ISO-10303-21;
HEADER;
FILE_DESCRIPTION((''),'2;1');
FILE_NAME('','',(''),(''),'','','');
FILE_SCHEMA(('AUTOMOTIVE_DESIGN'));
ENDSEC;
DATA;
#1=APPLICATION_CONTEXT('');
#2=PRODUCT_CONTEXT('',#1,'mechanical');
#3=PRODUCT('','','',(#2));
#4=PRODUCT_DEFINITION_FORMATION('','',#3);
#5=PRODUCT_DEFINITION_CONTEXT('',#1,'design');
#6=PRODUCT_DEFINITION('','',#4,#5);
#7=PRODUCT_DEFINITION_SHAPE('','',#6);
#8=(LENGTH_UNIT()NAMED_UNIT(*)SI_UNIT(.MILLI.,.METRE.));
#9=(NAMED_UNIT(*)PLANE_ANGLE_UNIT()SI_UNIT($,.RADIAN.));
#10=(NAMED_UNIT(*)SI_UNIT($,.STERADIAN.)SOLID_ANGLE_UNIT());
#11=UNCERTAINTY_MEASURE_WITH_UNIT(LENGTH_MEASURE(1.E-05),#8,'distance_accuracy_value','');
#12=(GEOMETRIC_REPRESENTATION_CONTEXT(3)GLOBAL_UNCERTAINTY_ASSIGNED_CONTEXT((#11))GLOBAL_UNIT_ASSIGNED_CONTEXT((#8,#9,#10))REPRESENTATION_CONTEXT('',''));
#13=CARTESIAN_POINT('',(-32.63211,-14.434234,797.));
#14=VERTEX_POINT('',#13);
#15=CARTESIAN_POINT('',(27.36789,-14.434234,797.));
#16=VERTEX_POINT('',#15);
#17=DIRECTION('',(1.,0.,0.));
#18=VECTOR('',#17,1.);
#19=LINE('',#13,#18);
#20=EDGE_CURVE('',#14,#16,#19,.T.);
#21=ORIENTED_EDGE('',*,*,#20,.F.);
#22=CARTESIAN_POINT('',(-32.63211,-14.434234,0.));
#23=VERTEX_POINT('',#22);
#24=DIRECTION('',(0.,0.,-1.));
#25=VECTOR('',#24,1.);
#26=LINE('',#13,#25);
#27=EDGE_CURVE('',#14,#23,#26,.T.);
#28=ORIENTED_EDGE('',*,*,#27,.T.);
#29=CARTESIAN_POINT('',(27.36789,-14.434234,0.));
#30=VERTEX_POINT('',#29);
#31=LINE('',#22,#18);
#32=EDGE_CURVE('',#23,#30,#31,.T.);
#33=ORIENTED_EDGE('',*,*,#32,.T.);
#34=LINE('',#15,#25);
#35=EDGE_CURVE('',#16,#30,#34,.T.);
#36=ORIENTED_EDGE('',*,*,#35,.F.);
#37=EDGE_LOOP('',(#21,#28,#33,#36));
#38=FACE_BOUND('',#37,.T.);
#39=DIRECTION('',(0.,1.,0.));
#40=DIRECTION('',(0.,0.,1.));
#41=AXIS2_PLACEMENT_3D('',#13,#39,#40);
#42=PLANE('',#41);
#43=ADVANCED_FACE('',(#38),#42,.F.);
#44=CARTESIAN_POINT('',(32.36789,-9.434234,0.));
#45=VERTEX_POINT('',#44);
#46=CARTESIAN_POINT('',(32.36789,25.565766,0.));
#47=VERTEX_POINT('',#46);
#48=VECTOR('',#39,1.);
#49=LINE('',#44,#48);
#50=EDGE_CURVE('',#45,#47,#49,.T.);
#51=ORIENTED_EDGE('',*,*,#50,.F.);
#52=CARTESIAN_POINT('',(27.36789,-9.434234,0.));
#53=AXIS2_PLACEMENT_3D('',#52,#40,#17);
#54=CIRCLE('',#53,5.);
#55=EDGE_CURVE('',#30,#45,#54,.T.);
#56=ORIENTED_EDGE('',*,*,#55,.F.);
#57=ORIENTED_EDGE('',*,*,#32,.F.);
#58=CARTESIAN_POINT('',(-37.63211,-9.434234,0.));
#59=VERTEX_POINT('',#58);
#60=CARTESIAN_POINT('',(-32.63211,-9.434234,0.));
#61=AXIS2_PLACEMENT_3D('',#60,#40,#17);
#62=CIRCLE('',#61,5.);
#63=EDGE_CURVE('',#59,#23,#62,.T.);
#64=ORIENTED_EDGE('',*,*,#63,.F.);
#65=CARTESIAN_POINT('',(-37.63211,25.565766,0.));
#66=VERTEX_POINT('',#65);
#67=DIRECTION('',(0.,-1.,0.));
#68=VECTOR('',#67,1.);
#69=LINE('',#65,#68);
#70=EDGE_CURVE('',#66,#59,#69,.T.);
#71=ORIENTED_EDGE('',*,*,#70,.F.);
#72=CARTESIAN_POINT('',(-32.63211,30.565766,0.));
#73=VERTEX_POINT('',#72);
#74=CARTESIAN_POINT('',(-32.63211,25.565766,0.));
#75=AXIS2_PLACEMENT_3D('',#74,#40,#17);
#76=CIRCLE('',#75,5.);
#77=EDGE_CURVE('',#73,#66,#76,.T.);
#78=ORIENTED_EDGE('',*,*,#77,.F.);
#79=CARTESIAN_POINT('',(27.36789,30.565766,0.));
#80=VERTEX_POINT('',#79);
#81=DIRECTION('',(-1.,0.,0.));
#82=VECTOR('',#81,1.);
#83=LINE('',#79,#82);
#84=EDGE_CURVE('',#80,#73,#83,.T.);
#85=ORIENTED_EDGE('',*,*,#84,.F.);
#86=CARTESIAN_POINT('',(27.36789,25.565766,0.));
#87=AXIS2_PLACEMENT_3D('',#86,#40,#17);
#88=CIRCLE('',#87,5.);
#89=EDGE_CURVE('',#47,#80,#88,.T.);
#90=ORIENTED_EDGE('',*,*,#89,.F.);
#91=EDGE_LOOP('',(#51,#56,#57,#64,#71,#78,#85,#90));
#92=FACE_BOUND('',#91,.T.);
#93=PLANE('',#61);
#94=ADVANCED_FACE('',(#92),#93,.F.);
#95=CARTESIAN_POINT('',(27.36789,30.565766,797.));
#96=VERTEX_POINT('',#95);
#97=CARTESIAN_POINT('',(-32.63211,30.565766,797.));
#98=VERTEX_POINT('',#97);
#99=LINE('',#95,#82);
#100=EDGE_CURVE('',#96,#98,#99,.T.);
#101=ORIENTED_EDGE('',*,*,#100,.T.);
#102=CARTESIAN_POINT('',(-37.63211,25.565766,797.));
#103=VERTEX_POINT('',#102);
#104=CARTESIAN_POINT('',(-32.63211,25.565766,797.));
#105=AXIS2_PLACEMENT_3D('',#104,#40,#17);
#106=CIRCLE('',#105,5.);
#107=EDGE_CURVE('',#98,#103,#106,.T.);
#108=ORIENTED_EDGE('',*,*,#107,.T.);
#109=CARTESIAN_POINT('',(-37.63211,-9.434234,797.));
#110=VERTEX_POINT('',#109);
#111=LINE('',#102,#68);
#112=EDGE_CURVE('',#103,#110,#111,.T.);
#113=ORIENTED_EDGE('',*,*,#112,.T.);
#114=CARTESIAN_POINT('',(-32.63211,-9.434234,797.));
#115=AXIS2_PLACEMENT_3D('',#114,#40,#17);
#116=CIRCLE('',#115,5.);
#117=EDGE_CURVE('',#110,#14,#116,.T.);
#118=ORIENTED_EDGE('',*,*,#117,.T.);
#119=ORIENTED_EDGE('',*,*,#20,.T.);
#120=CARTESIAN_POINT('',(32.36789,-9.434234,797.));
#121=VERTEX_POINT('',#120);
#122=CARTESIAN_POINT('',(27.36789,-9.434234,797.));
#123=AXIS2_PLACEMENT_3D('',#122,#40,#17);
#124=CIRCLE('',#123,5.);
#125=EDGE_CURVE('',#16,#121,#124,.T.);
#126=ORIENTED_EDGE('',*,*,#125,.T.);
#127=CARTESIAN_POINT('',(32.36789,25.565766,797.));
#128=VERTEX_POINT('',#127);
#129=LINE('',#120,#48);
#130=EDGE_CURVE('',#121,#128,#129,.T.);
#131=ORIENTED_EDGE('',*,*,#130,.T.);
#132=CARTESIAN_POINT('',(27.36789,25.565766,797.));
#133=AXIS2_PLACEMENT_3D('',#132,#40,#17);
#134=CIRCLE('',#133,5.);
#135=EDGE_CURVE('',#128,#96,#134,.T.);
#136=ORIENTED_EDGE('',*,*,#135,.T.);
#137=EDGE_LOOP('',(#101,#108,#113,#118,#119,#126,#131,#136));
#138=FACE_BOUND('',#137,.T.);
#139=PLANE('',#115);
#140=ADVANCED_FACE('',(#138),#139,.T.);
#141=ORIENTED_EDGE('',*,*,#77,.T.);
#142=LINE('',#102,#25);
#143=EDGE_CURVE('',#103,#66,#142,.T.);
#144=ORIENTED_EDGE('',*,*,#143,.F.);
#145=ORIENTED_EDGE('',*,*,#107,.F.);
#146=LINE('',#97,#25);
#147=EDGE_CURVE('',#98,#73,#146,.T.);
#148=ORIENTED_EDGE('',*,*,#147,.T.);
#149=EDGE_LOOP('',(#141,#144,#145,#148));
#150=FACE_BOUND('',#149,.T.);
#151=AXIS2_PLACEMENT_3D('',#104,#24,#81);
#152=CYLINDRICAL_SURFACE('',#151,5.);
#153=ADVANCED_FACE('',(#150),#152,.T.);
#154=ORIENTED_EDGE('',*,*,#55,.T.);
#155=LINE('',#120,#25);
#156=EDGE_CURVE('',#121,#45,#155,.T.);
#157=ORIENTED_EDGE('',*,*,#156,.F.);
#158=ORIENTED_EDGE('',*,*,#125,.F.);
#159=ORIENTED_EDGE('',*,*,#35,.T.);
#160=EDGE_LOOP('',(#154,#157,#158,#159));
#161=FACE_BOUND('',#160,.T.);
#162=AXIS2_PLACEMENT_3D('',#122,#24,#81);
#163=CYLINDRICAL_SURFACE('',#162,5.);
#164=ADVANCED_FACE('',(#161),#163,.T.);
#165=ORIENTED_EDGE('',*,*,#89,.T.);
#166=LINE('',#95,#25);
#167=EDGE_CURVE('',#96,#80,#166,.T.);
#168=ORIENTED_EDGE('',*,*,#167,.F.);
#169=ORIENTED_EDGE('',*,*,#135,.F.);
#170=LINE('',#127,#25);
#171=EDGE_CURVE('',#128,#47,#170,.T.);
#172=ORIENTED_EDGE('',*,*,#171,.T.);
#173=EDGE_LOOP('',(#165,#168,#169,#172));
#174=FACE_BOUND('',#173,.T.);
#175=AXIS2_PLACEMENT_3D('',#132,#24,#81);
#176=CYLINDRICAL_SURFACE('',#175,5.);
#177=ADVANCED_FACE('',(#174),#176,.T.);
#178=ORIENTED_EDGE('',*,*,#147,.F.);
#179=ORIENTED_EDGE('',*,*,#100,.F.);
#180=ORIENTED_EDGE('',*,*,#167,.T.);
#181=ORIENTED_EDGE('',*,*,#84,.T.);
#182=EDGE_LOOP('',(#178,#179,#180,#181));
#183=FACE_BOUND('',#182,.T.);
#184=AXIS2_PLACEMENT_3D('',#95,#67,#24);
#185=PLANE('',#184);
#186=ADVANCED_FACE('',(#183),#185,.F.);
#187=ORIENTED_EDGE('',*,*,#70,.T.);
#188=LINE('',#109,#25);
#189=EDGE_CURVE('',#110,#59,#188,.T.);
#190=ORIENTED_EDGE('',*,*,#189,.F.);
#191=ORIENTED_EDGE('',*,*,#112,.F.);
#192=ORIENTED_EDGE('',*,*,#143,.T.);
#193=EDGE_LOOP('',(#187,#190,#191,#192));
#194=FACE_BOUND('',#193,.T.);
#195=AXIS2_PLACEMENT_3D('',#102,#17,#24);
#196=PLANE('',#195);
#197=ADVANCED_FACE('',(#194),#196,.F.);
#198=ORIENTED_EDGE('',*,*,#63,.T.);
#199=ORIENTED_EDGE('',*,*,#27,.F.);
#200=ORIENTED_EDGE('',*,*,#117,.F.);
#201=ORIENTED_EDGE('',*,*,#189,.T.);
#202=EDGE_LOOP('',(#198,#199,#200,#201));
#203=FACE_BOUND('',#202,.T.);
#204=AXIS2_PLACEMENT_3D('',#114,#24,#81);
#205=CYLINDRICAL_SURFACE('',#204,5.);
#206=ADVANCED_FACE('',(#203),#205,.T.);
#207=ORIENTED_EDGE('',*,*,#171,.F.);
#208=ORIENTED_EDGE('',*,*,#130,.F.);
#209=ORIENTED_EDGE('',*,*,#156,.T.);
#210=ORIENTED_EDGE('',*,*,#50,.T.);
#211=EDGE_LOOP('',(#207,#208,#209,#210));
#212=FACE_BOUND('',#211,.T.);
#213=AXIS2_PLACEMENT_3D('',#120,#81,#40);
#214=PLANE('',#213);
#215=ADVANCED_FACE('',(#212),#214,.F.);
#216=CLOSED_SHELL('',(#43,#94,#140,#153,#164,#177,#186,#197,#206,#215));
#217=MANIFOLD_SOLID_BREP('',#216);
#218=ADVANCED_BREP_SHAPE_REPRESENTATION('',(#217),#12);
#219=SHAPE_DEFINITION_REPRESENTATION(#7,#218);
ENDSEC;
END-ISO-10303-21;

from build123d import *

# Parameters (mm, degrees)
BOSS_EXTRUDE1_DEPTH = 797


with BuildPart() as part:
    # Sketch1 → Boss-Extrude1 (new body)
    with BuildSketch(Plane.XY):
        with BuildLine():
            Line((-37.632109835, 25.565766091), (-37.632109835, -9.434233909))
            ThreePointArc((-37.632109835, -9.434233909), (-36.167643741, -12.969767815), (-32.632109835, -14.434233909))
            Line((-32.632109835, -14.434233909), (27.367890165, -14.434233909))
            ThreePointArc((27.367890165, -14.434233909), (30.903424071, -12.969767815), (32.367890165, -9.434233909))
            Line((32.367890165, -9.434233909), (32.367890165, 25.565766091))
            ThreePointArc((32.367890165, 25.565766091), (30.903424071, 29.101299997), (27.367890165, 30.565766091))
            Line((27.367890165, 30.565766091), (-32.632109835, 30.565766091))
            ThreePointArc((-32.632109835, 30.565766091), (-36.167643741, 29.101299997), (-37.632109835, 25.565766091))
        make_face()
    extrude(amount=BOSS_EXTRUDE1_DEPTH)


solid = part.part
